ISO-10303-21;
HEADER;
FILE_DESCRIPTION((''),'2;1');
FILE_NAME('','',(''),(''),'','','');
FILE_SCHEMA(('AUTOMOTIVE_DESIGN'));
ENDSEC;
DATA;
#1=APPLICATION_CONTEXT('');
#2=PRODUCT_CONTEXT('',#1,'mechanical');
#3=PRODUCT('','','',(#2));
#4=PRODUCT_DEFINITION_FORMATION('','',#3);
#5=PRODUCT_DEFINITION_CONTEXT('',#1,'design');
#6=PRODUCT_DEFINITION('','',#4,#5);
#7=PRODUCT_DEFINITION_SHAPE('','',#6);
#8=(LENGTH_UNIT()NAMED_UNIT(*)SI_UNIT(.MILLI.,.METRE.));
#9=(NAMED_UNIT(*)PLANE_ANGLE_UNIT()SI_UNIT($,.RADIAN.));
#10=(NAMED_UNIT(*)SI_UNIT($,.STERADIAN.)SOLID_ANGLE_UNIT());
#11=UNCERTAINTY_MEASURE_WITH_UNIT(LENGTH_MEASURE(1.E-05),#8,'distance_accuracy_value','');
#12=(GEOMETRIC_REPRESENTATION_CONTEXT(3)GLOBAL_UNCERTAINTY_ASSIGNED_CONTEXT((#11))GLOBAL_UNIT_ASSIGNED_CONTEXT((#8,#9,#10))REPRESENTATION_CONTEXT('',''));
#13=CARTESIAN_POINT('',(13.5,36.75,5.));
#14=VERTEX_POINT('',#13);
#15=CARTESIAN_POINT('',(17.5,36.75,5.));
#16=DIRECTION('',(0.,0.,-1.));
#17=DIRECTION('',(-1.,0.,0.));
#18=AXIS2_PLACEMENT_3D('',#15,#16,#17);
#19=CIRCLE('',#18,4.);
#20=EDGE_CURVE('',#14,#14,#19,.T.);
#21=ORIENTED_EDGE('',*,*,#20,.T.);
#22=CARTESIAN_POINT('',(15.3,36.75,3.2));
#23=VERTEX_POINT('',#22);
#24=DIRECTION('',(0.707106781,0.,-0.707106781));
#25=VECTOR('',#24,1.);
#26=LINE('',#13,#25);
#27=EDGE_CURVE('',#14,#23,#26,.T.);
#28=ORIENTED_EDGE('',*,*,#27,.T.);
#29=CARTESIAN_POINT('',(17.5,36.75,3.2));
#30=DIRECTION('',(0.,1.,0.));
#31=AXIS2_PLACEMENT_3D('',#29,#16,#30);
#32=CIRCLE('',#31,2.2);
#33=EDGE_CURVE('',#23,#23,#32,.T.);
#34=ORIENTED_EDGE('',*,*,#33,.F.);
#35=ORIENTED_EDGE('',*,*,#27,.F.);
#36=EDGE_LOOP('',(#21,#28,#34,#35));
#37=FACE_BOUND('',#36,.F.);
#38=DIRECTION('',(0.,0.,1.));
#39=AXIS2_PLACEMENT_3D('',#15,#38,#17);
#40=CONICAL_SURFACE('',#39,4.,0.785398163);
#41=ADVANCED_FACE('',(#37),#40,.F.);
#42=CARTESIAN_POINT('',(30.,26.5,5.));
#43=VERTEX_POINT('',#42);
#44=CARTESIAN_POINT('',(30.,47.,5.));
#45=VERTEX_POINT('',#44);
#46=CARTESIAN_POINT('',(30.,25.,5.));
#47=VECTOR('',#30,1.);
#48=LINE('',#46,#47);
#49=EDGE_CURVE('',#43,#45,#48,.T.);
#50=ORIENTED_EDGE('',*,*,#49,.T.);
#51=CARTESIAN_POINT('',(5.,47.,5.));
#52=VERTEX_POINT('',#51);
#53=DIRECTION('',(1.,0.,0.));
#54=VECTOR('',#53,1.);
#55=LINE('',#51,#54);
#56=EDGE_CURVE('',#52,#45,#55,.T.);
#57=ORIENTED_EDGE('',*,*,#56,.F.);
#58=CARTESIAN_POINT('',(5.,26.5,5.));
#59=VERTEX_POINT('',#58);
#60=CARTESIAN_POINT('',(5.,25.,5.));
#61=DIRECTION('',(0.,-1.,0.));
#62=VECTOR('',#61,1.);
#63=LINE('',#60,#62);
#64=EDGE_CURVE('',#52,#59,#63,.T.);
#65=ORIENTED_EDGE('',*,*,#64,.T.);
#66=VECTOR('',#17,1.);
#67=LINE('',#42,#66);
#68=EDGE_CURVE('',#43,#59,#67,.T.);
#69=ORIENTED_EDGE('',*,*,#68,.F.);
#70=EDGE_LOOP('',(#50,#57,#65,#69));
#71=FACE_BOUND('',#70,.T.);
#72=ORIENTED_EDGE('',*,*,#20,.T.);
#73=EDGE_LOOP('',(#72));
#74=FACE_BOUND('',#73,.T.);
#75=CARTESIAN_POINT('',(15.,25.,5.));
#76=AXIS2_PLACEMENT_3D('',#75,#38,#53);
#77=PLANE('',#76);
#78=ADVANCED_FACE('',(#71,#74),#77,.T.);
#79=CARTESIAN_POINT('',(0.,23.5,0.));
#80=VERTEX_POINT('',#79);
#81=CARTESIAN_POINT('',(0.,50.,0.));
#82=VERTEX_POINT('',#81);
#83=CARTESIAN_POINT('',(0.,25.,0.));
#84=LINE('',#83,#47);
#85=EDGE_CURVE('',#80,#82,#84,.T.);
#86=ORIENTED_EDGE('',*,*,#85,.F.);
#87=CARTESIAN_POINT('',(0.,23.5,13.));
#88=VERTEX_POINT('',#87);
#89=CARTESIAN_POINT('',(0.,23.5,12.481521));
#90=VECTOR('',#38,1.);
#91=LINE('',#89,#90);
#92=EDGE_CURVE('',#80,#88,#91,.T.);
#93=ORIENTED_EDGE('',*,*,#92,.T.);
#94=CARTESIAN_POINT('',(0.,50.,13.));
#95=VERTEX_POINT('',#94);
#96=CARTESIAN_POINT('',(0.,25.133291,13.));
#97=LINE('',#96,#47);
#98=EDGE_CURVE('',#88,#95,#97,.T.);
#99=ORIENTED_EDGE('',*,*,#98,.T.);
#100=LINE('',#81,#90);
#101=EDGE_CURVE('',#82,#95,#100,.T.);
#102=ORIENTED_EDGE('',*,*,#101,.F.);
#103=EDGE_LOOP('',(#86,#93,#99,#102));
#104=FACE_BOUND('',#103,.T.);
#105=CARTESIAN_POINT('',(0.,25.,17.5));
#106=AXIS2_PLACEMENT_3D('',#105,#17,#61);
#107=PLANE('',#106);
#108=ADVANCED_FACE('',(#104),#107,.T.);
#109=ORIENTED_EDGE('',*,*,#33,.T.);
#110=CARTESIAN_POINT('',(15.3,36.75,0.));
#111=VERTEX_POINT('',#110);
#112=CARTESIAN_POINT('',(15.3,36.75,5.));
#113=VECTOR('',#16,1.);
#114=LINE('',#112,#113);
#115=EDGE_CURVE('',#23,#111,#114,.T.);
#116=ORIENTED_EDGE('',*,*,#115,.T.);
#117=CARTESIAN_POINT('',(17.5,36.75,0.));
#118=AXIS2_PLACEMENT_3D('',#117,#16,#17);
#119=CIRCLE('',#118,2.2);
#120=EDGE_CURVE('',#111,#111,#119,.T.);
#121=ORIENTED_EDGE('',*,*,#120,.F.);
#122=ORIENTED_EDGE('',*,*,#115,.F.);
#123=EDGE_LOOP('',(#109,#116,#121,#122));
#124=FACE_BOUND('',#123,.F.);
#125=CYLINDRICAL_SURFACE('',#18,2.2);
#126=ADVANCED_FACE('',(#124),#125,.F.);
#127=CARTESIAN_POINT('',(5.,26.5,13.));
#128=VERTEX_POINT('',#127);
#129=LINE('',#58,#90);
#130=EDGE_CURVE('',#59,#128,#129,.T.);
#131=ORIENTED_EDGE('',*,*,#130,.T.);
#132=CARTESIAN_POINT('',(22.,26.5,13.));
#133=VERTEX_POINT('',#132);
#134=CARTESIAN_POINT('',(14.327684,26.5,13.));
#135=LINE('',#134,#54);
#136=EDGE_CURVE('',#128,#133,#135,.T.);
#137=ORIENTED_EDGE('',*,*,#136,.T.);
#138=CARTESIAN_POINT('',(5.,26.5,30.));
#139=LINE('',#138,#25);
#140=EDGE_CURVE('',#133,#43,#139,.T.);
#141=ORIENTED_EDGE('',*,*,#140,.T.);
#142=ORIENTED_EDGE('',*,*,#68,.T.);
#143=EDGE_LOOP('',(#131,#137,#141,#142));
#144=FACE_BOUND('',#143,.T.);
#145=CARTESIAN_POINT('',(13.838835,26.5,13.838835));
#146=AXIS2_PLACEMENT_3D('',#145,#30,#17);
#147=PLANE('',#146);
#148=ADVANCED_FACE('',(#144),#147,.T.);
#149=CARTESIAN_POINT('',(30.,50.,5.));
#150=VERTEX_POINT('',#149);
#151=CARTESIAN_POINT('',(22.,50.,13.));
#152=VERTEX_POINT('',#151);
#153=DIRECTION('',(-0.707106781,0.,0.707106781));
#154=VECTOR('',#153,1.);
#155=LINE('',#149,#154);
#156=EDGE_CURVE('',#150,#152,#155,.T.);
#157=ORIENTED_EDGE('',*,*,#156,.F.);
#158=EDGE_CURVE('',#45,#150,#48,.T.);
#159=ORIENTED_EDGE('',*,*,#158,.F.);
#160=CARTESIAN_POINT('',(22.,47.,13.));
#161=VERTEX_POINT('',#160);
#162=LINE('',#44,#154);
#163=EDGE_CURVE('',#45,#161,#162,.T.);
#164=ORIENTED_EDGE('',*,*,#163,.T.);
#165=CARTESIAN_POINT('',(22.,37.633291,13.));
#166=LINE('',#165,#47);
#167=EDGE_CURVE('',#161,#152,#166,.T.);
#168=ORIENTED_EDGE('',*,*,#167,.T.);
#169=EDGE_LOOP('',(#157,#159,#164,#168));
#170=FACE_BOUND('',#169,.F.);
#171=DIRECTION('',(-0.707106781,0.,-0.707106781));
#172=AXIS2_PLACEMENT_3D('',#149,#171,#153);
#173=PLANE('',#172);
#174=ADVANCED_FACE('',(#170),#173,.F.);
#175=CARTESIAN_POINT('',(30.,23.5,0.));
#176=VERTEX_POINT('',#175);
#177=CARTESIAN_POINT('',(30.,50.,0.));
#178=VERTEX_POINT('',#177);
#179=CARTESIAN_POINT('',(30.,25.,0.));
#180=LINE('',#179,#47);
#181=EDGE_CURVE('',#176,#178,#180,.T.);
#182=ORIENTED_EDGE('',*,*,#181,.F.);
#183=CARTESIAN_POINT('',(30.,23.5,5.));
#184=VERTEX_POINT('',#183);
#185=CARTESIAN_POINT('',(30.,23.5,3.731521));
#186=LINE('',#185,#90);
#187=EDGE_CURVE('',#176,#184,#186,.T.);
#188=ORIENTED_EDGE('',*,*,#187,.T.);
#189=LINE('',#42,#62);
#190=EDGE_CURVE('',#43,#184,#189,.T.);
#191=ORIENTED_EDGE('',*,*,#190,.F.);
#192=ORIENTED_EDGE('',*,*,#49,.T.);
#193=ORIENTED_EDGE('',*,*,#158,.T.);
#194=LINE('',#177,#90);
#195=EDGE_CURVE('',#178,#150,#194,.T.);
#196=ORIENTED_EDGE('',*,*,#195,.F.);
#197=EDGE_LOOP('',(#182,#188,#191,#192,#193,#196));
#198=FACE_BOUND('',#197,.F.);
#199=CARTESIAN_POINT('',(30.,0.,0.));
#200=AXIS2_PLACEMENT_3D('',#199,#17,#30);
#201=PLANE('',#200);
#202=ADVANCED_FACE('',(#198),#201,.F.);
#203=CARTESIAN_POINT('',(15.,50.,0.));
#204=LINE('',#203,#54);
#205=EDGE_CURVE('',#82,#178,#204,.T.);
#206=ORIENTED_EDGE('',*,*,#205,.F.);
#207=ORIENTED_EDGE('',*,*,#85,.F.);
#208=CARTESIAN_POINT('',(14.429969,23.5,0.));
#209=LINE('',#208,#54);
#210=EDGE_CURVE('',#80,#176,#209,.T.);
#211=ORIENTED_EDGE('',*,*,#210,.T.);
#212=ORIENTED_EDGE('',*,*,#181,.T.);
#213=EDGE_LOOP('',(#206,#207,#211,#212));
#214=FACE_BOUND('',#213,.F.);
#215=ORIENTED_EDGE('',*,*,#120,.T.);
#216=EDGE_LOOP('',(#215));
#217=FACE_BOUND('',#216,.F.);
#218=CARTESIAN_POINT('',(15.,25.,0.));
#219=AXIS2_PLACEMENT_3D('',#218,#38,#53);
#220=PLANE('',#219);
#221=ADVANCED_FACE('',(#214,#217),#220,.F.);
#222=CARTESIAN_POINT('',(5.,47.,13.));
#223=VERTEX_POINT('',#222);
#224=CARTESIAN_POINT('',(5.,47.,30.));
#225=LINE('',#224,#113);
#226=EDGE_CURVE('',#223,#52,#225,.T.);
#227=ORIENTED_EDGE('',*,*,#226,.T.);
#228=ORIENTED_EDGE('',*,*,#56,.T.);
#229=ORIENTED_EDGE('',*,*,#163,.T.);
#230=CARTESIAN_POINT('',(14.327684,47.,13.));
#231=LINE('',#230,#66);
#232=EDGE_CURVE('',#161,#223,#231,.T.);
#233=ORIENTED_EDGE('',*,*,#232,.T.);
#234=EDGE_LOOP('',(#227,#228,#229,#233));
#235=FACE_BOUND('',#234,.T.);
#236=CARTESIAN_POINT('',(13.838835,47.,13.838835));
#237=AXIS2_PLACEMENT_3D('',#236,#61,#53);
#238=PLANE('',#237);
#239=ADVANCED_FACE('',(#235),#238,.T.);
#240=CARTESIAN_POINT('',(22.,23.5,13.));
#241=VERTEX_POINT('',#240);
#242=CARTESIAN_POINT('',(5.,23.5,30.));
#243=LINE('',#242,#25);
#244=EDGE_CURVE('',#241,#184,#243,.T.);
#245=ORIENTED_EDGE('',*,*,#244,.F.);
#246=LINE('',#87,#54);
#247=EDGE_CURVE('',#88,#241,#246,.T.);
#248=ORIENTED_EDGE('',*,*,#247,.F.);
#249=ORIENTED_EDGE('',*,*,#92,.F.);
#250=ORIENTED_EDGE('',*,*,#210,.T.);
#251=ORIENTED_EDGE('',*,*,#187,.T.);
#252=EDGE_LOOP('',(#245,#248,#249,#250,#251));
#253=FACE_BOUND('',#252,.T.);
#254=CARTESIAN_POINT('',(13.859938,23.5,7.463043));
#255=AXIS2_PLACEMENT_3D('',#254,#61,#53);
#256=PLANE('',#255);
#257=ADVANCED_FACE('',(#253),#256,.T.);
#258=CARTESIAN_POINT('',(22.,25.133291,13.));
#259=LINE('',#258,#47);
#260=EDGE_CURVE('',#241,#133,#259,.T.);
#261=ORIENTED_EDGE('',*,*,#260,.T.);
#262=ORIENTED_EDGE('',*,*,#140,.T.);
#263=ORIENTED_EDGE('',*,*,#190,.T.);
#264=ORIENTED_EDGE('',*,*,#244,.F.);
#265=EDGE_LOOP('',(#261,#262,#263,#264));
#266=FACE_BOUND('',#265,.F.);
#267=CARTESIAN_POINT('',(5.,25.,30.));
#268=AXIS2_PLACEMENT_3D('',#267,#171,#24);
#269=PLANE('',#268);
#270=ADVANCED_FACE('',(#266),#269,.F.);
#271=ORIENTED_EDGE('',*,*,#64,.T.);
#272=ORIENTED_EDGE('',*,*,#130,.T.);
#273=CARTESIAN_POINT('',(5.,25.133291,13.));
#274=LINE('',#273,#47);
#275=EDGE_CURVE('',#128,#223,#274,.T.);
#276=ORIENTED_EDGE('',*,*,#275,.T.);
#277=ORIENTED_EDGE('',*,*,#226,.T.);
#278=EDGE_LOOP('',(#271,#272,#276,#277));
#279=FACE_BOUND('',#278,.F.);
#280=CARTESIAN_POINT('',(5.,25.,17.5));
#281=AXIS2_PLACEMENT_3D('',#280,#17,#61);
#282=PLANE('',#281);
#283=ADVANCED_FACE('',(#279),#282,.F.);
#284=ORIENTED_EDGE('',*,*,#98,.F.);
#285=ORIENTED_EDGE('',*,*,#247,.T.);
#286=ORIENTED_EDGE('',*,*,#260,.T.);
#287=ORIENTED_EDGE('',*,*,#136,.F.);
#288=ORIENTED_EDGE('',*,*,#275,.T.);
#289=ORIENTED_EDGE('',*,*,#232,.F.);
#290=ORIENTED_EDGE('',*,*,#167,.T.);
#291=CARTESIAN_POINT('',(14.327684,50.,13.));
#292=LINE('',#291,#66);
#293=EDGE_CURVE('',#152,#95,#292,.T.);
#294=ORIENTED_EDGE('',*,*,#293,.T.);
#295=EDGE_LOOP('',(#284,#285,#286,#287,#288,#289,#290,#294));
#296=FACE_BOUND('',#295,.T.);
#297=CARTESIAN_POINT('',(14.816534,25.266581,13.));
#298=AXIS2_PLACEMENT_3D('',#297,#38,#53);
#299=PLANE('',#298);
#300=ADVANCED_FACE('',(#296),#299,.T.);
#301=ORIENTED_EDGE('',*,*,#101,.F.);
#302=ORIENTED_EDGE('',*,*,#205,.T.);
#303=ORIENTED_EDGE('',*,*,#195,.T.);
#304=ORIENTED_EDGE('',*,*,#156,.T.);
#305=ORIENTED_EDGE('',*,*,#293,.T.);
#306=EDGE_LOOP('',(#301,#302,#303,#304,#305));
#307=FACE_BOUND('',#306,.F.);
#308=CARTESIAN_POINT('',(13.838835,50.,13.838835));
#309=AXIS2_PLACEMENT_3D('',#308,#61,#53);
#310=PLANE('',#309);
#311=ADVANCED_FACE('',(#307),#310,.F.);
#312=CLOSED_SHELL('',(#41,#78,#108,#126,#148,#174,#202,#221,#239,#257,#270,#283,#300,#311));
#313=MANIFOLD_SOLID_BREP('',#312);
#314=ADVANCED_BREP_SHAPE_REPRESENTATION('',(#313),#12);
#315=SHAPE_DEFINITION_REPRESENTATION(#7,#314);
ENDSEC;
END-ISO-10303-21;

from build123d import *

# Parameters (mm, degrees)
SKETCH015_W         = 30
SKETCH015_H         = 50
PAD014_DEPTH        = 5
SKETCH016_W         = 50
SKETCH016_H         = 25
PAD013_DEPTH        = 5
PAD010_DEPTH        = 3
PAD011_DEPTH        = 1.5
PAD012_DEPTH        = 3
HOLE002_D           = 4.4
HOLE002_DEPTH       = 25
HOLE002_CSINK_D     = 8
HOLE002_CSINK_ANGLE = 90
SKETCH018_W         = 40.900608
SKETCH018_H         = 56.513194
POCKET001_DEPTH     = 25
SKETCH020_W         = 45.434352
SKETCH020_H         = 34.44481
POCKET002_DEPTH     = 23.5


with BuildPart() as part:
    # Sketch015 → Pad014 (new body)
    with BuildSketch(Plane.XY):
        with Locations((15, 25)):
            Rectangle(SKETCH015_W, SKETCH015_H)
    extrude(amount=PAD014_DEPTH)

    # Sketch016 → Pad013 (join)
    with BuildSketch(Plane(origin=(0, 0, 0), x_dir=(0, -1, 0), z_dir=(-1, 0, 0))):
        with Locations((-25, 17.5)):
            Rectangle(SKETCH016_W, SKETCH016_H)
    extrude(amount=-PAD013_DEPTH)

    # Sketch014 → Pad010 (join)
    with BuildSketch(Plane.XZ):
        Polygon((5, 5), (5, 30), (30, 5), align=None)
    extrude(amount=-PAD010_DEPTH)

    # Sketch017 → Pad011 (join, symmetric)
    with BuildSketch(Plane.XZ.offset(-25)):
        Polygon((5, 5), (5, 30), (30, 5), align=None)
    extrude(amount=PAD011_DEPTH, both=True)

    # Sketch013 → Pad012 (join)
    with BuildSketch(Plane.XZ.offset(-50)):
        Polygon((5, 30), (5, 5), (30, 5), align=None)
    extrude(amount=PAD012_DEPTH)

    # Hole002
    with Locations(Plane.XY.offset(5)):
        with Locations((17.5, 36.75), (17.5, 13.25)):
            CounterSinkHole(HOLE002_D / 2, HOLE002_CSINK_D / 2, depth=HOLE002_DEPTH, counter_sink_angle=HOLE002_CSINK_ANGLE)

    # Sketch018 → Pocket001 (cut)
    with BuildSketch(Plane.XY.offset(13)):
        with Locations((14.816534, 25.266581)):
            Rectangle(SKETCH018_W, SKETCH018_H)
    extrude(amount=POCKET001_DEPTH, mode=Mode.SUBTRACT)

    # Sketch020 → Pocket002 (cut)
    with BuildSketch(Plane.XZ):
        with Locations((13.859938, 7.463043)):
            Rectangle(SKETCH020_W, SKETCH020_H)
    extrude(amount=-POCKET002_DEPTH, mode=Mode.SUBTRACT)


solid = part.part
